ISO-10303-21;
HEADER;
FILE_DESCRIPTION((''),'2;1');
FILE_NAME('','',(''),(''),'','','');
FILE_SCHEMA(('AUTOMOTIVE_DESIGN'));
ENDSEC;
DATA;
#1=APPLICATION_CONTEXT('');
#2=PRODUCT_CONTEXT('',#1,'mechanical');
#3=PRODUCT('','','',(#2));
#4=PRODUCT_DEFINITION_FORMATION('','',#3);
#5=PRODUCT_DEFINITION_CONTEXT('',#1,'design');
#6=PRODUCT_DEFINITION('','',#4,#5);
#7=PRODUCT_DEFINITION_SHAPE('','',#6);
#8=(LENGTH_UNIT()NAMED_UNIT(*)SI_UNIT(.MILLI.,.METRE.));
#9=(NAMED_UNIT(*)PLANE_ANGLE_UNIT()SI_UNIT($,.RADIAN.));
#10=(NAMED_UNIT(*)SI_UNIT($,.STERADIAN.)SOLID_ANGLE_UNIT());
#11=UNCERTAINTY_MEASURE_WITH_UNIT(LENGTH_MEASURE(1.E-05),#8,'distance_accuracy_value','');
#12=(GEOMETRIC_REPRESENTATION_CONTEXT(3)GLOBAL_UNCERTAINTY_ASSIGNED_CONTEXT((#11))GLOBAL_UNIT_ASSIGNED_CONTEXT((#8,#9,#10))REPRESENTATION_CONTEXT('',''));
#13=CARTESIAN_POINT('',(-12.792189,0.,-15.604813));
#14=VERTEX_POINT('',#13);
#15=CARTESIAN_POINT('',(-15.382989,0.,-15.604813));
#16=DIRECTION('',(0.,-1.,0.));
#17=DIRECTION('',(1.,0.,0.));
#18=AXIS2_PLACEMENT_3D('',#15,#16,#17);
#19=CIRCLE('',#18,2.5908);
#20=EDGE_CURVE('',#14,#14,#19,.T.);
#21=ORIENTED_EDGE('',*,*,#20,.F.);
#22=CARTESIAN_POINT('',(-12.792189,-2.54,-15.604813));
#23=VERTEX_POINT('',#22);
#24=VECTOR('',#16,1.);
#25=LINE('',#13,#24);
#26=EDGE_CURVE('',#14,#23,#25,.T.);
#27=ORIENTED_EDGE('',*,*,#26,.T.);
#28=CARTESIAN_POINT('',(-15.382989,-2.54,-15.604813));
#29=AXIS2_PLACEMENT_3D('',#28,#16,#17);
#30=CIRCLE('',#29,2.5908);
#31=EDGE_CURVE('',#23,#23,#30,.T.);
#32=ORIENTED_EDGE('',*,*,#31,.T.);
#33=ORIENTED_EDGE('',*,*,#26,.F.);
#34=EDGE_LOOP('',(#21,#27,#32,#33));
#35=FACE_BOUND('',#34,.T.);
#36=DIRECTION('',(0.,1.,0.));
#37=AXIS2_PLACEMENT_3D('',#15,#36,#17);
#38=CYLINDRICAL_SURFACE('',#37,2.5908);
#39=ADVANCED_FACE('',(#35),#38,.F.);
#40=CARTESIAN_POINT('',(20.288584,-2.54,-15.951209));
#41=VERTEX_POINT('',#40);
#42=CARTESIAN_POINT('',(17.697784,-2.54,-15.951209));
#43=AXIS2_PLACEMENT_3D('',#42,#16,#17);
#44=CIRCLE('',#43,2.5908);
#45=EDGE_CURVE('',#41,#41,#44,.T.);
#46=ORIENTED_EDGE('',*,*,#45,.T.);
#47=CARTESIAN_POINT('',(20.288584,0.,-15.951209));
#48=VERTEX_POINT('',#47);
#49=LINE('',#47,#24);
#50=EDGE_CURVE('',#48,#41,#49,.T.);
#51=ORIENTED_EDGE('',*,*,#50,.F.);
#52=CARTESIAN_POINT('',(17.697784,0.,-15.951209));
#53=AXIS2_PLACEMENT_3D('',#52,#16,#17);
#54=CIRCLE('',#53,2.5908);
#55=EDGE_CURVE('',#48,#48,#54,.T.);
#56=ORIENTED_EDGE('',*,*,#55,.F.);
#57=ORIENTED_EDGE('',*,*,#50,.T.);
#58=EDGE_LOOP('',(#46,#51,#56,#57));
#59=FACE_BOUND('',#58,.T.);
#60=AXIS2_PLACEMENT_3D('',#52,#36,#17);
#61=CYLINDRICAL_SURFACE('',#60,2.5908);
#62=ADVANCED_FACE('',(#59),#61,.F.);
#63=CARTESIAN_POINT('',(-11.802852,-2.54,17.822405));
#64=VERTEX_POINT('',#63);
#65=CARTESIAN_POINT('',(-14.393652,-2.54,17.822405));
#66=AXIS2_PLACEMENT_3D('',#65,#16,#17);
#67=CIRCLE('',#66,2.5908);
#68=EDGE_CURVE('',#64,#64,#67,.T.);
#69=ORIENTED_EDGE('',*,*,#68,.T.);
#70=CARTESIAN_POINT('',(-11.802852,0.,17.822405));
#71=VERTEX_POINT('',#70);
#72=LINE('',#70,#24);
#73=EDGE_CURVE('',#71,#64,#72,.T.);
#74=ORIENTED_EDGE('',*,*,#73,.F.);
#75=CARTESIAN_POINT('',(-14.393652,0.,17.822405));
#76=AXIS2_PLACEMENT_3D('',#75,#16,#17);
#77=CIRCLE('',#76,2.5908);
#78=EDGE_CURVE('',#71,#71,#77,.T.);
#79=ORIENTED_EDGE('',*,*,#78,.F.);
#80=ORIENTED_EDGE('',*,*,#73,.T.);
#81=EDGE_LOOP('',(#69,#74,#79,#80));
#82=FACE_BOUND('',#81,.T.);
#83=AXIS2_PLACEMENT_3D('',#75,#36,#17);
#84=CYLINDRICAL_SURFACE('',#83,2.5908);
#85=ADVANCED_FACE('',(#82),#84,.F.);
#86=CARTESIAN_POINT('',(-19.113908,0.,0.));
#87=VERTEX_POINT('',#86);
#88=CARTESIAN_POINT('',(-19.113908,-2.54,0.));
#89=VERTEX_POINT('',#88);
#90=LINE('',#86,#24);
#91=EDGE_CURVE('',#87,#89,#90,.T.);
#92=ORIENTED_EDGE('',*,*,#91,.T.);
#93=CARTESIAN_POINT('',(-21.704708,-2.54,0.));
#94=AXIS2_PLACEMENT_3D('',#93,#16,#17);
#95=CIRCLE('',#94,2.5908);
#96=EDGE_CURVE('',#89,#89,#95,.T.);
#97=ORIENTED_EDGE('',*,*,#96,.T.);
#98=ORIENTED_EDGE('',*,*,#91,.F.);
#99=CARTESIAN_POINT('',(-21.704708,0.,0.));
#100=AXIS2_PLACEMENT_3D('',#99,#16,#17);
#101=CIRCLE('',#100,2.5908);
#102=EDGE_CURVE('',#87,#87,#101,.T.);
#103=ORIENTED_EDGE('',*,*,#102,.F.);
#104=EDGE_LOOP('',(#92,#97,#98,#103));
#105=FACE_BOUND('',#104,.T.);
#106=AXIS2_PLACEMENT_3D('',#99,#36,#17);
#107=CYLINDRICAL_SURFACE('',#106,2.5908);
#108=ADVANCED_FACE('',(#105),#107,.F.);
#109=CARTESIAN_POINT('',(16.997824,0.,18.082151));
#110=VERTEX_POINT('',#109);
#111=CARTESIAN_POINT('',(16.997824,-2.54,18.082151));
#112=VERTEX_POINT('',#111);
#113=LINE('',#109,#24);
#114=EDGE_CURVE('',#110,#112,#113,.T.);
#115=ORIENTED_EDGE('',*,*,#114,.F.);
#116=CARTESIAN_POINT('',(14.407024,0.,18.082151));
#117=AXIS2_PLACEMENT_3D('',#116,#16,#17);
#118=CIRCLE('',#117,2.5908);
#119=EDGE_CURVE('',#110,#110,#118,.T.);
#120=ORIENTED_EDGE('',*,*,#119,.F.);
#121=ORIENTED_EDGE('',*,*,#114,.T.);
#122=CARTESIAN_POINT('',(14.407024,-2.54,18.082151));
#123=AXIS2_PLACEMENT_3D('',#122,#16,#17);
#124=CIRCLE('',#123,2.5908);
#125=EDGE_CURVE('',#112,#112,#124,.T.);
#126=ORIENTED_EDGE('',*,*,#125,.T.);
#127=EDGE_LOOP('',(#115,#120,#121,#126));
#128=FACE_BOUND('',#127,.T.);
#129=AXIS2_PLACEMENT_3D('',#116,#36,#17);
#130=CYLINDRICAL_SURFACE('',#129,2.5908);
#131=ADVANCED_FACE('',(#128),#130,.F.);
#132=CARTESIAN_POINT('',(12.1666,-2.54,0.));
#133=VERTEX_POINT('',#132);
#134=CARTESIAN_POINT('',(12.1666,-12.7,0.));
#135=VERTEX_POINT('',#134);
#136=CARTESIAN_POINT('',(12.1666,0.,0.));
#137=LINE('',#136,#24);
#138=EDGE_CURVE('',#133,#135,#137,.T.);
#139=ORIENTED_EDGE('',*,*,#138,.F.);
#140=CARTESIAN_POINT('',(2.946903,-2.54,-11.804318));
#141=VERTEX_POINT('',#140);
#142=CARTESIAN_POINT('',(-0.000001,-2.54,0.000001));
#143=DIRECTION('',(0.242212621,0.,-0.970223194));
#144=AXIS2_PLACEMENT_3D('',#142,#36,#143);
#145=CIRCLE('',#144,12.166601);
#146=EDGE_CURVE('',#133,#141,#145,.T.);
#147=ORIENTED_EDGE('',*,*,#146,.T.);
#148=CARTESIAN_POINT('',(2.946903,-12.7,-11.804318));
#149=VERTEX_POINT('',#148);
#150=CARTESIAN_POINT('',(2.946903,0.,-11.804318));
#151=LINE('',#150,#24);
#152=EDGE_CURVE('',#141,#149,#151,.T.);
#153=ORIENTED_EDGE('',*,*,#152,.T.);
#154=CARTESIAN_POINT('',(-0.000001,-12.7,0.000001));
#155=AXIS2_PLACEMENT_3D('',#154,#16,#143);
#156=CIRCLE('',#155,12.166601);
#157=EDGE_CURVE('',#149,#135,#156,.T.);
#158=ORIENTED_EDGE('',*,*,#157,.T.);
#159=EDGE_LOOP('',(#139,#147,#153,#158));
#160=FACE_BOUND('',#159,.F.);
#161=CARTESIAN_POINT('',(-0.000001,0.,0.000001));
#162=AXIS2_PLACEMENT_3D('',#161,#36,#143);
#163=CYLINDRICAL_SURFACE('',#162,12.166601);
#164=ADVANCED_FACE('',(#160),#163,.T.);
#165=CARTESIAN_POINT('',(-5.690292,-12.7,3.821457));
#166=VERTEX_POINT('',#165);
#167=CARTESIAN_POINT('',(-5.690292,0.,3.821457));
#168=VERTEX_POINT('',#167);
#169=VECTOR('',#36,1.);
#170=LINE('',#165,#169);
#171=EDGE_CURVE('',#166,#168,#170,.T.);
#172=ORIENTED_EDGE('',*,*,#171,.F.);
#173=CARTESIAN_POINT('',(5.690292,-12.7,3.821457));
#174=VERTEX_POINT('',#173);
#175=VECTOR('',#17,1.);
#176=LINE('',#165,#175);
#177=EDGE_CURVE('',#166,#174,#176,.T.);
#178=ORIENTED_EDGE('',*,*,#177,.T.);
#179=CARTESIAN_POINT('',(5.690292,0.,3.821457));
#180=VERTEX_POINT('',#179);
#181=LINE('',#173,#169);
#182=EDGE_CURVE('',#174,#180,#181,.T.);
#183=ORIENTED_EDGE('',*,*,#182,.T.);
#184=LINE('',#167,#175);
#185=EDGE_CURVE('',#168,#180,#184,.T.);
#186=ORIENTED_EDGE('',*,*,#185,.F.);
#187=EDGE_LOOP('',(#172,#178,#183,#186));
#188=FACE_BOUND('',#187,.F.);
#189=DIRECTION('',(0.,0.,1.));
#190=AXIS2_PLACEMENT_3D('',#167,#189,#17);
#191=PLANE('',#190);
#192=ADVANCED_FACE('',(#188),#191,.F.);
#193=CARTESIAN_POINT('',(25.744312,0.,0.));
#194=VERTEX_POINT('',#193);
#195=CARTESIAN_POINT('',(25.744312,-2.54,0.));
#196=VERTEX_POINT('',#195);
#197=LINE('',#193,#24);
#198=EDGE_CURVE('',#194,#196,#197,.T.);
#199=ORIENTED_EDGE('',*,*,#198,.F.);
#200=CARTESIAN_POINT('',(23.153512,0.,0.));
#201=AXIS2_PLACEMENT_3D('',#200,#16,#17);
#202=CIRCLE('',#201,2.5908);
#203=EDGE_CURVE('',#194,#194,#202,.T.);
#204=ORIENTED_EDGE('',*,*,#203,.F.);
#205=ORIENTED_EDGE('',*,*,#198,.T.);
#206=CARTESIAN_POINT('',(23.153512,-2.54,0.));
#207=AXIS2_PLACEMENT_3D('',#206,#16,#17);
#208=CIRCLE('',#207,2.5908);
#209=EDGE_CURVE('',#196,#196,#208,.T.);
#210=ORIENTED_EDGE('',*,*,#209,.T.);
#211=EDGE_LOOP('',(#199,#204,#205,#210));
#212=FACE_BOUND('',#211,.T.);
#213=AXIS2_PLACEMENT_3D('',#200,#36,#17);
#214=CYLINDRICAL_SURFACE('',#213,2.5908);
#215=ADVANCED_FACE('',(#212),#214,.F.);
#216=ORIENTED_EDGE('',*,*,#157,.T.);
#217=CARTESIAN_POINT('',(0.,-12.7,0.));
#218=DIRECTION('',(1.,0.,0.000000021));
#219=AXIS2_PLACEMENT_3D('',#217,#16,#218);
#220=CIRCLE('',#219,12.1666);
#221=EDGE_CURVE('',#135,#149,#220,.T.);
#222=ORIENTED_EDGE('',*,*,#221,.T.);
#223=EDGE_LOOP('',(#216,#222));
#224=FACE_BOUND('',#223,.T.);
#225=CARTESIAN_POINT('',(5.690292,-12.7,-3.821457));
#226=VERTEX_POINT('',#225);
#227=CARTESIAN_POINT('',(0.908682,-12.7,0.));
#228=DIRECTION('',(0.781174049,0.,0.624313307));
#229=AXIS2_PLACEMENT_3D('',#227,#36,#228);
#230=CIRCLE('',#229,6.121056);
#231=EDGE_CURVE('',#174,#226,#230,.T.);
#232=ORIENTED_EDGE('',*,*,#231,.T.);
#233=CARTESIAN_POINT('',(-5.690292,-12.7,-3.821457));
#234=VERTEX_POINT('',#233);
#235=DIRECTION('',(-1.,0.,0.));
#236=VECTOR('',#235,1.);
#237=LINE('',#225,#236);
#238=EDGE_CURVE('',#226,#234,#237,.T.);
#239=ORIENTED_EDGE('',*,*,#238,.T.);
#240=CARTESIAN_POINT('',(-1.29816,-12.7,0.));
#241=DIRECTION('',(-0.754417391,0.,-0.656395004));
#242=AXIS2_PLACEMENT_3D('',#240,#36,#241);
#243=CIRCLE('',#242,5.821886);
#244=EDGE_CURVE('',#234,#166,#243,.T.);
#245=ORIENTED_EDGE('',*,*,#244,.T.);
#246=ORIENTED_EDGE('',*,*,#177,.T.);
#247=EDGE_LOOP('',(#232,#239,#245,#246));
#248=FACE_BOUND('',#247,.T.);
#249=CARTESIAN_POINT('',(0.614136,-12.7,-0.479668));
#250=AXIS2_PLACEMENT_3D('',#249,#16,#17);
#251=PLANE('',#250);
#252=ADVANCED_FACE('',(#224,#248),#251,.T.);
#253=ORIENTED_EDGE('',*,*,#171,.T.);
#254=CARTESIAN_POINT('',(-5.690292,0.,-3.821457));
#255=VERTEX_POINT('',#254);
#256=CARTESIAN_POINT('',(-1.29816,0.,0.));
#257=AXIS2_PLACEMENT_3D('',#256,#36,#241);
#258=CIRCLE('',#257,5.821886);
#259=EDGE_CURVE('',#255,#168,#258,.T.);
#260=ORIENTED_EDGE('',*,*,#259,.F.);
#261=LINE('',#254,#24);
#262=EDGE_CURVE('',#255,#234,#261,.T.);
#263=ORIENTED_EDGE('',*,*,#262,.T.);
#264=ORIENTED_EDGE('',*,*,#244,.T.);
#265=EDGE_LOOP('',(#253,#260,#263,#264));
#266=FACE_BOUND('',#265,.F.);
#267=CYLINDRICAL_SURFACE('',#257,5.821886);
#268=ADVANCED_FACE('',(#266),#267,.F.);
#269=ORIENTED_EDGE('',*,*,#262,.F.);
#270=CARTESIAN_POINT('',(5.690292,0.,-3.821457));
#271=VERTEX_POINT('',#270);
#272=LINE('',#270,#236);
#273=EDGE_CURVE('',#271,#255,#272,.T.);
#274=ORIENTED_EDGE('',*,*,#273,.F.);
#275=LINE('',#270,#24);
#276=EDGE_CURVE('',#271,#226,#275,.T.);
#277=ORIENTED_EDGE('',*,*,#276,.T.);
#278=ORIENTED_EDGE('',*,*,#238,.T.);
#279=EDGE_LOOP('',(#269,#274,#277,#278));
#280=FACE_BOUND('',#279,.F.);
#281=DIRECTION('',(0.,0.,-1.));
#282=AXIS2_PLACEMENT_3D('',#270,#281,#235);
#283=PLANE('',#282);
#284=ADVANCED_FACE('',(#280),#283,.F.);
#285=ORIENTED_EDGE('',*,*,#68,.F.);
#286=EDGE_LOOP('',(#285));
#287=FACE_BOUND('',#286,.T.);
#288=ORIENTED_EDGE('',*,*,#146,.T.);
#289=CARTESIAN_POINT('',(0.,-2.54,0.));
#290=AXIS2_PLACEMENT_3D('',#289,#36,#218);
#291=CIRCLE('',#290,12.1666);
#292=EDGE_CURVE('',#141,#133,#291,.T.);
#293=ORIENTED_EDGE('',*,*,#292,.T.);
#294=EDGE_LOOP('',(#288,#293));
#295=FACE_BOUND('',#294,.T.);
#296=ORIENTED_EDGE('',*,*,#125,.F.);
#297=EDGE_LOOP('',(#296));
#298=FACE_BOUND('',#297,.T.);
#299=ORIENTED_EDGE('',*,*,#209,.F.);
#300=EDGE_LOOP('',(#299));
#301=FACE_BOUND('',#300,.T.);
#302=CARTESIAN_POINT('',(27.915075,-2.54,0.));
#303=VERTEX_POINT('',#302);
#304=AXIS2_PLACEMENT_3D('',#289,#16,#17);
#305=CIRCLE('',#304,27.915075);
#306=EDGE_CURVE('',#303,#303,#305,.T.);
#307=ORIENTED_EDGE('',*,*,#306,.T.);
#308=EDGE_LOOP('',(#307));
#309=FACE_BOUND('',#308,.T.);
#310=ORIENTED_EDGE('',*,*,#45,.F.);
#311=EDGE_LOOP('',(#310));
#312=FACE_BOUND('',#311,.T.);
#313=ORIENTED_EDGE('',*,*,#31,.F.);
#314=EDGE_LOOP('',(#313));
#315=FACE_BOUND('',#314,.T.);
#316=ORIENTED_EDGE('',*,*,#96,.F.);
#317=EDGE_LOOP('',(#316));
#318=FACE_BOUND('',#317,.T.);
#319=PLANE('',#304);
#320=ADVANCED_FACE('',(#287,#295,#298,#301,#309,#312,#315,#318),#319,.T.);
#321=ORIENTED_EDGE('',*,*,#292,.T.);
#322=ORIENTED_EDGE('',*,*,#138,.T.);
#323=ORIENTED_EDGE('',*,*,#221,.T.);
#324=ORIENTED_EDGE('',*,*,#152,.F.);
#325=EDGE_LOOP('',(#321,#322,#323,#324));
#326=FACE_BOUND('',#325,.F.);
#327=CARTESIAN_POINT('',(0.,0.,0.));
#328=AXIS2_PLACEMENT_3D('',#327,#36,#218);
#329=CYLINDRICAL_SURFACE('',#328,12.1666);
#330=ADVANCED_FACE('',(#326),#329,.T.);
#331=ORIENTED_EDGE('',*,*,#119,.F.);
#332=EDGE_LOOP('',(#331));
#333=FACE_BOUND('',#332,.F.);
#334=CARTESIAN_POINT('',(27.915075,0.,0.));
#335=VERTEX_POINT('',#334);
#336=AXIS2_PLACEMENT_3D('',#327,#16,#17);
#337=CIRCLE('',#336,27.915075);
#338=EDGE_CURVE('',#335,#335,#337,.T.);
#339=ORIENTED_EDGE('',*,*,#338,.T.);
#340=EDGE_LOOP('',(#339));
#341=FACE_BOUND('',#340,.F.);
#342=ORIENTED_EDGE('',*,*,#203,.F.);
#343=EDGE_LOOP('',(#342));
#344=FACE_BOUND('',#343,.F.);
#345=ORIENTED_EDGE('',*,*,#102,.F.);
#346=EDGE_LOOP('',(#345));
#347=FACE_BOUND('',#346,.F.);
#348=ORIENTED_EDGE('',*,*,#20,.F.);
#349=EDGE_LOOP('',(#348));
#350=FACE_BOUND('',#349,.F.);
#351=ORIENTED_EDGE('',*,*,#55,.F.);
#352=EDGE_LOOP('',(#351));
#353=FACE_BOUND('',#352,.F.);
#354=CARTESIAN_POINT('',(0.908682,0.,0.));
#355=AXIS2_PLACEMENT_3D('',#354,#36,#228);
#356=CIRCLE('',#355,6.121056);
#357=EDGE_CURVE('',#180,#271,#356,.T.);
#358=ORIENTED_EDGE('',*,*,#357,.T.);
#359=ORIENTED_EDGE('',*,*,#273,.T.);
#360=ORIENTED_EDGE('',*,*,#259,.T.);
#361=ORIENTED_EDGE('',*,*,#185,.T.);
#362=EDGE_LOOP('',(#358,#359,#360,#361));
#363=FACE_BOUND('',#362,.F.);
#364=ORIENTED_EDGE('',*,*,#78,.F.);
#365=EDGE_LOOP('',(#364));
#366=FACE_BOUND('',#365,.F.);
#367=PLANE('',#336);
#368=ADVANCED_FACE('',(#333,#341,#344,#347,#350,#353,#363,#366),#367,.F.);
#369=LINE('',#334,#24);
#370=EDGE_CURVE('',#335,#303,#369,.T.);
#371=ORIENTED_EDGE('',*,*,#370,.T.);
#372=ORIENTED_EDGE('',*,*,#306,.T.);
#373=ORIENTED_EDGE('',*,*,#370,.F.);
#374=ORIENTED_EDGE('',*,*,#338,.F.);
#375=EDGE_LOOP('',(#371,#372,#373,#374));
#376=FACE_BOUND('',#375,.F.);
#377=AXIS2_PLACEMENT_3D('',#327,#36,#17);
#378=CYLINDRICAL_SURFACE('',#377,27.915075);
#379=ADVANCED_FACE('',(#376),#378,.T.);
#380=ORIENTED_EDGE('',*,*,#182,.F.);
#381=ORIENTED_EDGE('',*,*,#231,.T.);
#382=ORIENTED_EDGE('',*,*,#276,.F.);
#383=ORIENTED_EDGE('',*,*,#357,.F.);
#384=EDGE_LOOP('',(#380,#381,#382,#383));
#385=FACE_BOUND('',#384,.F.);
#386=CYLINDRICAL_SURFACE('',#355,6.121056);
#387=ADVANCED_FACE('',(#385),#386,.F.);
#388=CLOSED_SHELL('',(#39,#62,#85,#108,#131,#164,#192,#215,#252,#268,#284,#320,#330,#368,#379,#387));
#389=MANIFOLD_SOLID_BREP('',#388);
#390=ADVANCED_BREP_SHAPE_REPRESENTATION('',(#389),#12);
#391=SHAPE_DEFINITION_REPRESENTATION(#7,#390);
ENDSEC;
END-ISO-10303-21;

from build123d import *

# Parameters (mm, degrees)
F0_R     = 27.915075
F0_R_2   = 2.5908
F1_DEPTH = 2.54
F2_DEPTH = 12.7


with BuildPart() as f1:
    # F0 (on Front) → F1 (new body)
    with BuildSketch(Plane.XZ):
        Circle(F0_R)
        with Locations((-15.382989, -15.604813)):
            Circle(F0_R_2, mode=Mode.SUBTRACT)
        with Locations((17.697784, -15.951209)):
            Circle(F0_R_2, mode=Mode.SUBTRACT)
        with Locations((-21.704708, 0)):
            Circle(F0_R_2, mode=Mode.SUBTRACT)
        with Locations((-14.393652, 17.822405)):
            Circle(F0_R_2, mode=Mode.SUBTRACT)
        with BuildLine():
            ThreePointArc((2.946903, -11.804318), (-9.588533, 7.489071), (12.1666, 0))
            ThreePointArc((12.1666, 0), (9.588533, -7.489071), (2.946903, -11.804318))
        make_face(mode=Mode.SUBTRACT)
        with Locations((23.153512, 0)):
            Circle(F0_R_2, mode=Mode.SUBTRACT)
        with Locations((14.407024, 18.082151)):
            Circle(F0_R_2, mode=Mode.SUBTRACT)
        with BuildLine():
            ThreePointArc((2.946903, -11.804318), (9.588533, -7.489071), (12.1666, 0))
            ThreePointArc((12.1666, 0), (-9.588533, 7.489071), (2.946903, -11.804318))
        make_face()
        with BuildLine():
            Line((5.690292, -3.821457), (2.946903, -3.821457))
            Line((2.946903, -3.821457), (-2.879617, -3.821457))
            Line((-2.879617, -3.821457), (-5.690292, -3.821457))
            ThreePointArc((-5.690292, -3.821457), (-7.120046, 0), (-5.690292, 3.821457))
            Line((-5.690292, 3.821457), (5.690292, 3.821457))
            ThreePointArc((5.690292, 3.821457), (7.029738, 0), (5.690292, -3.821457))
        make_face(mode=Mode.SUBTRACT)
    extrude(amount=F1_DEPTH)

    # F0 (on Front) → F2 (join)
    with BuildSketch(Plane.XZ):
        with BuildLine():
            ThreePointArc((2.946903, -11.804318), (9.588533, -7.489071), (12.1666, 0))
            ThreePointArc((12.1666, 0), (-9.588533, 7.489071), (2.946903, -11.804318))
        make_face()
        with BuildLine():
            Line((5.690292, -3.821457), (2.946903, -3.821457))
            Line((2.946903, -3.821457), (-2.879617, -3.821457))
            Line((-2.879617, -3.821457), (-5.690292, -3.821457))
            ThreePointArc((-5.690292, -3.821457), (-7.120046, 0), (-5.690292, 3.821457))
            Line((-5.690292, 3.821457), (5.690292, 3.821457))
            ThreePointArc((5.690292, 3.821457), (7.029738, 0), (5.690292, -3.821457))
        make_face(mode=Mode.SUBTRACT)
    extrude(amount=F2_DEPTH)


solid = f1.part
